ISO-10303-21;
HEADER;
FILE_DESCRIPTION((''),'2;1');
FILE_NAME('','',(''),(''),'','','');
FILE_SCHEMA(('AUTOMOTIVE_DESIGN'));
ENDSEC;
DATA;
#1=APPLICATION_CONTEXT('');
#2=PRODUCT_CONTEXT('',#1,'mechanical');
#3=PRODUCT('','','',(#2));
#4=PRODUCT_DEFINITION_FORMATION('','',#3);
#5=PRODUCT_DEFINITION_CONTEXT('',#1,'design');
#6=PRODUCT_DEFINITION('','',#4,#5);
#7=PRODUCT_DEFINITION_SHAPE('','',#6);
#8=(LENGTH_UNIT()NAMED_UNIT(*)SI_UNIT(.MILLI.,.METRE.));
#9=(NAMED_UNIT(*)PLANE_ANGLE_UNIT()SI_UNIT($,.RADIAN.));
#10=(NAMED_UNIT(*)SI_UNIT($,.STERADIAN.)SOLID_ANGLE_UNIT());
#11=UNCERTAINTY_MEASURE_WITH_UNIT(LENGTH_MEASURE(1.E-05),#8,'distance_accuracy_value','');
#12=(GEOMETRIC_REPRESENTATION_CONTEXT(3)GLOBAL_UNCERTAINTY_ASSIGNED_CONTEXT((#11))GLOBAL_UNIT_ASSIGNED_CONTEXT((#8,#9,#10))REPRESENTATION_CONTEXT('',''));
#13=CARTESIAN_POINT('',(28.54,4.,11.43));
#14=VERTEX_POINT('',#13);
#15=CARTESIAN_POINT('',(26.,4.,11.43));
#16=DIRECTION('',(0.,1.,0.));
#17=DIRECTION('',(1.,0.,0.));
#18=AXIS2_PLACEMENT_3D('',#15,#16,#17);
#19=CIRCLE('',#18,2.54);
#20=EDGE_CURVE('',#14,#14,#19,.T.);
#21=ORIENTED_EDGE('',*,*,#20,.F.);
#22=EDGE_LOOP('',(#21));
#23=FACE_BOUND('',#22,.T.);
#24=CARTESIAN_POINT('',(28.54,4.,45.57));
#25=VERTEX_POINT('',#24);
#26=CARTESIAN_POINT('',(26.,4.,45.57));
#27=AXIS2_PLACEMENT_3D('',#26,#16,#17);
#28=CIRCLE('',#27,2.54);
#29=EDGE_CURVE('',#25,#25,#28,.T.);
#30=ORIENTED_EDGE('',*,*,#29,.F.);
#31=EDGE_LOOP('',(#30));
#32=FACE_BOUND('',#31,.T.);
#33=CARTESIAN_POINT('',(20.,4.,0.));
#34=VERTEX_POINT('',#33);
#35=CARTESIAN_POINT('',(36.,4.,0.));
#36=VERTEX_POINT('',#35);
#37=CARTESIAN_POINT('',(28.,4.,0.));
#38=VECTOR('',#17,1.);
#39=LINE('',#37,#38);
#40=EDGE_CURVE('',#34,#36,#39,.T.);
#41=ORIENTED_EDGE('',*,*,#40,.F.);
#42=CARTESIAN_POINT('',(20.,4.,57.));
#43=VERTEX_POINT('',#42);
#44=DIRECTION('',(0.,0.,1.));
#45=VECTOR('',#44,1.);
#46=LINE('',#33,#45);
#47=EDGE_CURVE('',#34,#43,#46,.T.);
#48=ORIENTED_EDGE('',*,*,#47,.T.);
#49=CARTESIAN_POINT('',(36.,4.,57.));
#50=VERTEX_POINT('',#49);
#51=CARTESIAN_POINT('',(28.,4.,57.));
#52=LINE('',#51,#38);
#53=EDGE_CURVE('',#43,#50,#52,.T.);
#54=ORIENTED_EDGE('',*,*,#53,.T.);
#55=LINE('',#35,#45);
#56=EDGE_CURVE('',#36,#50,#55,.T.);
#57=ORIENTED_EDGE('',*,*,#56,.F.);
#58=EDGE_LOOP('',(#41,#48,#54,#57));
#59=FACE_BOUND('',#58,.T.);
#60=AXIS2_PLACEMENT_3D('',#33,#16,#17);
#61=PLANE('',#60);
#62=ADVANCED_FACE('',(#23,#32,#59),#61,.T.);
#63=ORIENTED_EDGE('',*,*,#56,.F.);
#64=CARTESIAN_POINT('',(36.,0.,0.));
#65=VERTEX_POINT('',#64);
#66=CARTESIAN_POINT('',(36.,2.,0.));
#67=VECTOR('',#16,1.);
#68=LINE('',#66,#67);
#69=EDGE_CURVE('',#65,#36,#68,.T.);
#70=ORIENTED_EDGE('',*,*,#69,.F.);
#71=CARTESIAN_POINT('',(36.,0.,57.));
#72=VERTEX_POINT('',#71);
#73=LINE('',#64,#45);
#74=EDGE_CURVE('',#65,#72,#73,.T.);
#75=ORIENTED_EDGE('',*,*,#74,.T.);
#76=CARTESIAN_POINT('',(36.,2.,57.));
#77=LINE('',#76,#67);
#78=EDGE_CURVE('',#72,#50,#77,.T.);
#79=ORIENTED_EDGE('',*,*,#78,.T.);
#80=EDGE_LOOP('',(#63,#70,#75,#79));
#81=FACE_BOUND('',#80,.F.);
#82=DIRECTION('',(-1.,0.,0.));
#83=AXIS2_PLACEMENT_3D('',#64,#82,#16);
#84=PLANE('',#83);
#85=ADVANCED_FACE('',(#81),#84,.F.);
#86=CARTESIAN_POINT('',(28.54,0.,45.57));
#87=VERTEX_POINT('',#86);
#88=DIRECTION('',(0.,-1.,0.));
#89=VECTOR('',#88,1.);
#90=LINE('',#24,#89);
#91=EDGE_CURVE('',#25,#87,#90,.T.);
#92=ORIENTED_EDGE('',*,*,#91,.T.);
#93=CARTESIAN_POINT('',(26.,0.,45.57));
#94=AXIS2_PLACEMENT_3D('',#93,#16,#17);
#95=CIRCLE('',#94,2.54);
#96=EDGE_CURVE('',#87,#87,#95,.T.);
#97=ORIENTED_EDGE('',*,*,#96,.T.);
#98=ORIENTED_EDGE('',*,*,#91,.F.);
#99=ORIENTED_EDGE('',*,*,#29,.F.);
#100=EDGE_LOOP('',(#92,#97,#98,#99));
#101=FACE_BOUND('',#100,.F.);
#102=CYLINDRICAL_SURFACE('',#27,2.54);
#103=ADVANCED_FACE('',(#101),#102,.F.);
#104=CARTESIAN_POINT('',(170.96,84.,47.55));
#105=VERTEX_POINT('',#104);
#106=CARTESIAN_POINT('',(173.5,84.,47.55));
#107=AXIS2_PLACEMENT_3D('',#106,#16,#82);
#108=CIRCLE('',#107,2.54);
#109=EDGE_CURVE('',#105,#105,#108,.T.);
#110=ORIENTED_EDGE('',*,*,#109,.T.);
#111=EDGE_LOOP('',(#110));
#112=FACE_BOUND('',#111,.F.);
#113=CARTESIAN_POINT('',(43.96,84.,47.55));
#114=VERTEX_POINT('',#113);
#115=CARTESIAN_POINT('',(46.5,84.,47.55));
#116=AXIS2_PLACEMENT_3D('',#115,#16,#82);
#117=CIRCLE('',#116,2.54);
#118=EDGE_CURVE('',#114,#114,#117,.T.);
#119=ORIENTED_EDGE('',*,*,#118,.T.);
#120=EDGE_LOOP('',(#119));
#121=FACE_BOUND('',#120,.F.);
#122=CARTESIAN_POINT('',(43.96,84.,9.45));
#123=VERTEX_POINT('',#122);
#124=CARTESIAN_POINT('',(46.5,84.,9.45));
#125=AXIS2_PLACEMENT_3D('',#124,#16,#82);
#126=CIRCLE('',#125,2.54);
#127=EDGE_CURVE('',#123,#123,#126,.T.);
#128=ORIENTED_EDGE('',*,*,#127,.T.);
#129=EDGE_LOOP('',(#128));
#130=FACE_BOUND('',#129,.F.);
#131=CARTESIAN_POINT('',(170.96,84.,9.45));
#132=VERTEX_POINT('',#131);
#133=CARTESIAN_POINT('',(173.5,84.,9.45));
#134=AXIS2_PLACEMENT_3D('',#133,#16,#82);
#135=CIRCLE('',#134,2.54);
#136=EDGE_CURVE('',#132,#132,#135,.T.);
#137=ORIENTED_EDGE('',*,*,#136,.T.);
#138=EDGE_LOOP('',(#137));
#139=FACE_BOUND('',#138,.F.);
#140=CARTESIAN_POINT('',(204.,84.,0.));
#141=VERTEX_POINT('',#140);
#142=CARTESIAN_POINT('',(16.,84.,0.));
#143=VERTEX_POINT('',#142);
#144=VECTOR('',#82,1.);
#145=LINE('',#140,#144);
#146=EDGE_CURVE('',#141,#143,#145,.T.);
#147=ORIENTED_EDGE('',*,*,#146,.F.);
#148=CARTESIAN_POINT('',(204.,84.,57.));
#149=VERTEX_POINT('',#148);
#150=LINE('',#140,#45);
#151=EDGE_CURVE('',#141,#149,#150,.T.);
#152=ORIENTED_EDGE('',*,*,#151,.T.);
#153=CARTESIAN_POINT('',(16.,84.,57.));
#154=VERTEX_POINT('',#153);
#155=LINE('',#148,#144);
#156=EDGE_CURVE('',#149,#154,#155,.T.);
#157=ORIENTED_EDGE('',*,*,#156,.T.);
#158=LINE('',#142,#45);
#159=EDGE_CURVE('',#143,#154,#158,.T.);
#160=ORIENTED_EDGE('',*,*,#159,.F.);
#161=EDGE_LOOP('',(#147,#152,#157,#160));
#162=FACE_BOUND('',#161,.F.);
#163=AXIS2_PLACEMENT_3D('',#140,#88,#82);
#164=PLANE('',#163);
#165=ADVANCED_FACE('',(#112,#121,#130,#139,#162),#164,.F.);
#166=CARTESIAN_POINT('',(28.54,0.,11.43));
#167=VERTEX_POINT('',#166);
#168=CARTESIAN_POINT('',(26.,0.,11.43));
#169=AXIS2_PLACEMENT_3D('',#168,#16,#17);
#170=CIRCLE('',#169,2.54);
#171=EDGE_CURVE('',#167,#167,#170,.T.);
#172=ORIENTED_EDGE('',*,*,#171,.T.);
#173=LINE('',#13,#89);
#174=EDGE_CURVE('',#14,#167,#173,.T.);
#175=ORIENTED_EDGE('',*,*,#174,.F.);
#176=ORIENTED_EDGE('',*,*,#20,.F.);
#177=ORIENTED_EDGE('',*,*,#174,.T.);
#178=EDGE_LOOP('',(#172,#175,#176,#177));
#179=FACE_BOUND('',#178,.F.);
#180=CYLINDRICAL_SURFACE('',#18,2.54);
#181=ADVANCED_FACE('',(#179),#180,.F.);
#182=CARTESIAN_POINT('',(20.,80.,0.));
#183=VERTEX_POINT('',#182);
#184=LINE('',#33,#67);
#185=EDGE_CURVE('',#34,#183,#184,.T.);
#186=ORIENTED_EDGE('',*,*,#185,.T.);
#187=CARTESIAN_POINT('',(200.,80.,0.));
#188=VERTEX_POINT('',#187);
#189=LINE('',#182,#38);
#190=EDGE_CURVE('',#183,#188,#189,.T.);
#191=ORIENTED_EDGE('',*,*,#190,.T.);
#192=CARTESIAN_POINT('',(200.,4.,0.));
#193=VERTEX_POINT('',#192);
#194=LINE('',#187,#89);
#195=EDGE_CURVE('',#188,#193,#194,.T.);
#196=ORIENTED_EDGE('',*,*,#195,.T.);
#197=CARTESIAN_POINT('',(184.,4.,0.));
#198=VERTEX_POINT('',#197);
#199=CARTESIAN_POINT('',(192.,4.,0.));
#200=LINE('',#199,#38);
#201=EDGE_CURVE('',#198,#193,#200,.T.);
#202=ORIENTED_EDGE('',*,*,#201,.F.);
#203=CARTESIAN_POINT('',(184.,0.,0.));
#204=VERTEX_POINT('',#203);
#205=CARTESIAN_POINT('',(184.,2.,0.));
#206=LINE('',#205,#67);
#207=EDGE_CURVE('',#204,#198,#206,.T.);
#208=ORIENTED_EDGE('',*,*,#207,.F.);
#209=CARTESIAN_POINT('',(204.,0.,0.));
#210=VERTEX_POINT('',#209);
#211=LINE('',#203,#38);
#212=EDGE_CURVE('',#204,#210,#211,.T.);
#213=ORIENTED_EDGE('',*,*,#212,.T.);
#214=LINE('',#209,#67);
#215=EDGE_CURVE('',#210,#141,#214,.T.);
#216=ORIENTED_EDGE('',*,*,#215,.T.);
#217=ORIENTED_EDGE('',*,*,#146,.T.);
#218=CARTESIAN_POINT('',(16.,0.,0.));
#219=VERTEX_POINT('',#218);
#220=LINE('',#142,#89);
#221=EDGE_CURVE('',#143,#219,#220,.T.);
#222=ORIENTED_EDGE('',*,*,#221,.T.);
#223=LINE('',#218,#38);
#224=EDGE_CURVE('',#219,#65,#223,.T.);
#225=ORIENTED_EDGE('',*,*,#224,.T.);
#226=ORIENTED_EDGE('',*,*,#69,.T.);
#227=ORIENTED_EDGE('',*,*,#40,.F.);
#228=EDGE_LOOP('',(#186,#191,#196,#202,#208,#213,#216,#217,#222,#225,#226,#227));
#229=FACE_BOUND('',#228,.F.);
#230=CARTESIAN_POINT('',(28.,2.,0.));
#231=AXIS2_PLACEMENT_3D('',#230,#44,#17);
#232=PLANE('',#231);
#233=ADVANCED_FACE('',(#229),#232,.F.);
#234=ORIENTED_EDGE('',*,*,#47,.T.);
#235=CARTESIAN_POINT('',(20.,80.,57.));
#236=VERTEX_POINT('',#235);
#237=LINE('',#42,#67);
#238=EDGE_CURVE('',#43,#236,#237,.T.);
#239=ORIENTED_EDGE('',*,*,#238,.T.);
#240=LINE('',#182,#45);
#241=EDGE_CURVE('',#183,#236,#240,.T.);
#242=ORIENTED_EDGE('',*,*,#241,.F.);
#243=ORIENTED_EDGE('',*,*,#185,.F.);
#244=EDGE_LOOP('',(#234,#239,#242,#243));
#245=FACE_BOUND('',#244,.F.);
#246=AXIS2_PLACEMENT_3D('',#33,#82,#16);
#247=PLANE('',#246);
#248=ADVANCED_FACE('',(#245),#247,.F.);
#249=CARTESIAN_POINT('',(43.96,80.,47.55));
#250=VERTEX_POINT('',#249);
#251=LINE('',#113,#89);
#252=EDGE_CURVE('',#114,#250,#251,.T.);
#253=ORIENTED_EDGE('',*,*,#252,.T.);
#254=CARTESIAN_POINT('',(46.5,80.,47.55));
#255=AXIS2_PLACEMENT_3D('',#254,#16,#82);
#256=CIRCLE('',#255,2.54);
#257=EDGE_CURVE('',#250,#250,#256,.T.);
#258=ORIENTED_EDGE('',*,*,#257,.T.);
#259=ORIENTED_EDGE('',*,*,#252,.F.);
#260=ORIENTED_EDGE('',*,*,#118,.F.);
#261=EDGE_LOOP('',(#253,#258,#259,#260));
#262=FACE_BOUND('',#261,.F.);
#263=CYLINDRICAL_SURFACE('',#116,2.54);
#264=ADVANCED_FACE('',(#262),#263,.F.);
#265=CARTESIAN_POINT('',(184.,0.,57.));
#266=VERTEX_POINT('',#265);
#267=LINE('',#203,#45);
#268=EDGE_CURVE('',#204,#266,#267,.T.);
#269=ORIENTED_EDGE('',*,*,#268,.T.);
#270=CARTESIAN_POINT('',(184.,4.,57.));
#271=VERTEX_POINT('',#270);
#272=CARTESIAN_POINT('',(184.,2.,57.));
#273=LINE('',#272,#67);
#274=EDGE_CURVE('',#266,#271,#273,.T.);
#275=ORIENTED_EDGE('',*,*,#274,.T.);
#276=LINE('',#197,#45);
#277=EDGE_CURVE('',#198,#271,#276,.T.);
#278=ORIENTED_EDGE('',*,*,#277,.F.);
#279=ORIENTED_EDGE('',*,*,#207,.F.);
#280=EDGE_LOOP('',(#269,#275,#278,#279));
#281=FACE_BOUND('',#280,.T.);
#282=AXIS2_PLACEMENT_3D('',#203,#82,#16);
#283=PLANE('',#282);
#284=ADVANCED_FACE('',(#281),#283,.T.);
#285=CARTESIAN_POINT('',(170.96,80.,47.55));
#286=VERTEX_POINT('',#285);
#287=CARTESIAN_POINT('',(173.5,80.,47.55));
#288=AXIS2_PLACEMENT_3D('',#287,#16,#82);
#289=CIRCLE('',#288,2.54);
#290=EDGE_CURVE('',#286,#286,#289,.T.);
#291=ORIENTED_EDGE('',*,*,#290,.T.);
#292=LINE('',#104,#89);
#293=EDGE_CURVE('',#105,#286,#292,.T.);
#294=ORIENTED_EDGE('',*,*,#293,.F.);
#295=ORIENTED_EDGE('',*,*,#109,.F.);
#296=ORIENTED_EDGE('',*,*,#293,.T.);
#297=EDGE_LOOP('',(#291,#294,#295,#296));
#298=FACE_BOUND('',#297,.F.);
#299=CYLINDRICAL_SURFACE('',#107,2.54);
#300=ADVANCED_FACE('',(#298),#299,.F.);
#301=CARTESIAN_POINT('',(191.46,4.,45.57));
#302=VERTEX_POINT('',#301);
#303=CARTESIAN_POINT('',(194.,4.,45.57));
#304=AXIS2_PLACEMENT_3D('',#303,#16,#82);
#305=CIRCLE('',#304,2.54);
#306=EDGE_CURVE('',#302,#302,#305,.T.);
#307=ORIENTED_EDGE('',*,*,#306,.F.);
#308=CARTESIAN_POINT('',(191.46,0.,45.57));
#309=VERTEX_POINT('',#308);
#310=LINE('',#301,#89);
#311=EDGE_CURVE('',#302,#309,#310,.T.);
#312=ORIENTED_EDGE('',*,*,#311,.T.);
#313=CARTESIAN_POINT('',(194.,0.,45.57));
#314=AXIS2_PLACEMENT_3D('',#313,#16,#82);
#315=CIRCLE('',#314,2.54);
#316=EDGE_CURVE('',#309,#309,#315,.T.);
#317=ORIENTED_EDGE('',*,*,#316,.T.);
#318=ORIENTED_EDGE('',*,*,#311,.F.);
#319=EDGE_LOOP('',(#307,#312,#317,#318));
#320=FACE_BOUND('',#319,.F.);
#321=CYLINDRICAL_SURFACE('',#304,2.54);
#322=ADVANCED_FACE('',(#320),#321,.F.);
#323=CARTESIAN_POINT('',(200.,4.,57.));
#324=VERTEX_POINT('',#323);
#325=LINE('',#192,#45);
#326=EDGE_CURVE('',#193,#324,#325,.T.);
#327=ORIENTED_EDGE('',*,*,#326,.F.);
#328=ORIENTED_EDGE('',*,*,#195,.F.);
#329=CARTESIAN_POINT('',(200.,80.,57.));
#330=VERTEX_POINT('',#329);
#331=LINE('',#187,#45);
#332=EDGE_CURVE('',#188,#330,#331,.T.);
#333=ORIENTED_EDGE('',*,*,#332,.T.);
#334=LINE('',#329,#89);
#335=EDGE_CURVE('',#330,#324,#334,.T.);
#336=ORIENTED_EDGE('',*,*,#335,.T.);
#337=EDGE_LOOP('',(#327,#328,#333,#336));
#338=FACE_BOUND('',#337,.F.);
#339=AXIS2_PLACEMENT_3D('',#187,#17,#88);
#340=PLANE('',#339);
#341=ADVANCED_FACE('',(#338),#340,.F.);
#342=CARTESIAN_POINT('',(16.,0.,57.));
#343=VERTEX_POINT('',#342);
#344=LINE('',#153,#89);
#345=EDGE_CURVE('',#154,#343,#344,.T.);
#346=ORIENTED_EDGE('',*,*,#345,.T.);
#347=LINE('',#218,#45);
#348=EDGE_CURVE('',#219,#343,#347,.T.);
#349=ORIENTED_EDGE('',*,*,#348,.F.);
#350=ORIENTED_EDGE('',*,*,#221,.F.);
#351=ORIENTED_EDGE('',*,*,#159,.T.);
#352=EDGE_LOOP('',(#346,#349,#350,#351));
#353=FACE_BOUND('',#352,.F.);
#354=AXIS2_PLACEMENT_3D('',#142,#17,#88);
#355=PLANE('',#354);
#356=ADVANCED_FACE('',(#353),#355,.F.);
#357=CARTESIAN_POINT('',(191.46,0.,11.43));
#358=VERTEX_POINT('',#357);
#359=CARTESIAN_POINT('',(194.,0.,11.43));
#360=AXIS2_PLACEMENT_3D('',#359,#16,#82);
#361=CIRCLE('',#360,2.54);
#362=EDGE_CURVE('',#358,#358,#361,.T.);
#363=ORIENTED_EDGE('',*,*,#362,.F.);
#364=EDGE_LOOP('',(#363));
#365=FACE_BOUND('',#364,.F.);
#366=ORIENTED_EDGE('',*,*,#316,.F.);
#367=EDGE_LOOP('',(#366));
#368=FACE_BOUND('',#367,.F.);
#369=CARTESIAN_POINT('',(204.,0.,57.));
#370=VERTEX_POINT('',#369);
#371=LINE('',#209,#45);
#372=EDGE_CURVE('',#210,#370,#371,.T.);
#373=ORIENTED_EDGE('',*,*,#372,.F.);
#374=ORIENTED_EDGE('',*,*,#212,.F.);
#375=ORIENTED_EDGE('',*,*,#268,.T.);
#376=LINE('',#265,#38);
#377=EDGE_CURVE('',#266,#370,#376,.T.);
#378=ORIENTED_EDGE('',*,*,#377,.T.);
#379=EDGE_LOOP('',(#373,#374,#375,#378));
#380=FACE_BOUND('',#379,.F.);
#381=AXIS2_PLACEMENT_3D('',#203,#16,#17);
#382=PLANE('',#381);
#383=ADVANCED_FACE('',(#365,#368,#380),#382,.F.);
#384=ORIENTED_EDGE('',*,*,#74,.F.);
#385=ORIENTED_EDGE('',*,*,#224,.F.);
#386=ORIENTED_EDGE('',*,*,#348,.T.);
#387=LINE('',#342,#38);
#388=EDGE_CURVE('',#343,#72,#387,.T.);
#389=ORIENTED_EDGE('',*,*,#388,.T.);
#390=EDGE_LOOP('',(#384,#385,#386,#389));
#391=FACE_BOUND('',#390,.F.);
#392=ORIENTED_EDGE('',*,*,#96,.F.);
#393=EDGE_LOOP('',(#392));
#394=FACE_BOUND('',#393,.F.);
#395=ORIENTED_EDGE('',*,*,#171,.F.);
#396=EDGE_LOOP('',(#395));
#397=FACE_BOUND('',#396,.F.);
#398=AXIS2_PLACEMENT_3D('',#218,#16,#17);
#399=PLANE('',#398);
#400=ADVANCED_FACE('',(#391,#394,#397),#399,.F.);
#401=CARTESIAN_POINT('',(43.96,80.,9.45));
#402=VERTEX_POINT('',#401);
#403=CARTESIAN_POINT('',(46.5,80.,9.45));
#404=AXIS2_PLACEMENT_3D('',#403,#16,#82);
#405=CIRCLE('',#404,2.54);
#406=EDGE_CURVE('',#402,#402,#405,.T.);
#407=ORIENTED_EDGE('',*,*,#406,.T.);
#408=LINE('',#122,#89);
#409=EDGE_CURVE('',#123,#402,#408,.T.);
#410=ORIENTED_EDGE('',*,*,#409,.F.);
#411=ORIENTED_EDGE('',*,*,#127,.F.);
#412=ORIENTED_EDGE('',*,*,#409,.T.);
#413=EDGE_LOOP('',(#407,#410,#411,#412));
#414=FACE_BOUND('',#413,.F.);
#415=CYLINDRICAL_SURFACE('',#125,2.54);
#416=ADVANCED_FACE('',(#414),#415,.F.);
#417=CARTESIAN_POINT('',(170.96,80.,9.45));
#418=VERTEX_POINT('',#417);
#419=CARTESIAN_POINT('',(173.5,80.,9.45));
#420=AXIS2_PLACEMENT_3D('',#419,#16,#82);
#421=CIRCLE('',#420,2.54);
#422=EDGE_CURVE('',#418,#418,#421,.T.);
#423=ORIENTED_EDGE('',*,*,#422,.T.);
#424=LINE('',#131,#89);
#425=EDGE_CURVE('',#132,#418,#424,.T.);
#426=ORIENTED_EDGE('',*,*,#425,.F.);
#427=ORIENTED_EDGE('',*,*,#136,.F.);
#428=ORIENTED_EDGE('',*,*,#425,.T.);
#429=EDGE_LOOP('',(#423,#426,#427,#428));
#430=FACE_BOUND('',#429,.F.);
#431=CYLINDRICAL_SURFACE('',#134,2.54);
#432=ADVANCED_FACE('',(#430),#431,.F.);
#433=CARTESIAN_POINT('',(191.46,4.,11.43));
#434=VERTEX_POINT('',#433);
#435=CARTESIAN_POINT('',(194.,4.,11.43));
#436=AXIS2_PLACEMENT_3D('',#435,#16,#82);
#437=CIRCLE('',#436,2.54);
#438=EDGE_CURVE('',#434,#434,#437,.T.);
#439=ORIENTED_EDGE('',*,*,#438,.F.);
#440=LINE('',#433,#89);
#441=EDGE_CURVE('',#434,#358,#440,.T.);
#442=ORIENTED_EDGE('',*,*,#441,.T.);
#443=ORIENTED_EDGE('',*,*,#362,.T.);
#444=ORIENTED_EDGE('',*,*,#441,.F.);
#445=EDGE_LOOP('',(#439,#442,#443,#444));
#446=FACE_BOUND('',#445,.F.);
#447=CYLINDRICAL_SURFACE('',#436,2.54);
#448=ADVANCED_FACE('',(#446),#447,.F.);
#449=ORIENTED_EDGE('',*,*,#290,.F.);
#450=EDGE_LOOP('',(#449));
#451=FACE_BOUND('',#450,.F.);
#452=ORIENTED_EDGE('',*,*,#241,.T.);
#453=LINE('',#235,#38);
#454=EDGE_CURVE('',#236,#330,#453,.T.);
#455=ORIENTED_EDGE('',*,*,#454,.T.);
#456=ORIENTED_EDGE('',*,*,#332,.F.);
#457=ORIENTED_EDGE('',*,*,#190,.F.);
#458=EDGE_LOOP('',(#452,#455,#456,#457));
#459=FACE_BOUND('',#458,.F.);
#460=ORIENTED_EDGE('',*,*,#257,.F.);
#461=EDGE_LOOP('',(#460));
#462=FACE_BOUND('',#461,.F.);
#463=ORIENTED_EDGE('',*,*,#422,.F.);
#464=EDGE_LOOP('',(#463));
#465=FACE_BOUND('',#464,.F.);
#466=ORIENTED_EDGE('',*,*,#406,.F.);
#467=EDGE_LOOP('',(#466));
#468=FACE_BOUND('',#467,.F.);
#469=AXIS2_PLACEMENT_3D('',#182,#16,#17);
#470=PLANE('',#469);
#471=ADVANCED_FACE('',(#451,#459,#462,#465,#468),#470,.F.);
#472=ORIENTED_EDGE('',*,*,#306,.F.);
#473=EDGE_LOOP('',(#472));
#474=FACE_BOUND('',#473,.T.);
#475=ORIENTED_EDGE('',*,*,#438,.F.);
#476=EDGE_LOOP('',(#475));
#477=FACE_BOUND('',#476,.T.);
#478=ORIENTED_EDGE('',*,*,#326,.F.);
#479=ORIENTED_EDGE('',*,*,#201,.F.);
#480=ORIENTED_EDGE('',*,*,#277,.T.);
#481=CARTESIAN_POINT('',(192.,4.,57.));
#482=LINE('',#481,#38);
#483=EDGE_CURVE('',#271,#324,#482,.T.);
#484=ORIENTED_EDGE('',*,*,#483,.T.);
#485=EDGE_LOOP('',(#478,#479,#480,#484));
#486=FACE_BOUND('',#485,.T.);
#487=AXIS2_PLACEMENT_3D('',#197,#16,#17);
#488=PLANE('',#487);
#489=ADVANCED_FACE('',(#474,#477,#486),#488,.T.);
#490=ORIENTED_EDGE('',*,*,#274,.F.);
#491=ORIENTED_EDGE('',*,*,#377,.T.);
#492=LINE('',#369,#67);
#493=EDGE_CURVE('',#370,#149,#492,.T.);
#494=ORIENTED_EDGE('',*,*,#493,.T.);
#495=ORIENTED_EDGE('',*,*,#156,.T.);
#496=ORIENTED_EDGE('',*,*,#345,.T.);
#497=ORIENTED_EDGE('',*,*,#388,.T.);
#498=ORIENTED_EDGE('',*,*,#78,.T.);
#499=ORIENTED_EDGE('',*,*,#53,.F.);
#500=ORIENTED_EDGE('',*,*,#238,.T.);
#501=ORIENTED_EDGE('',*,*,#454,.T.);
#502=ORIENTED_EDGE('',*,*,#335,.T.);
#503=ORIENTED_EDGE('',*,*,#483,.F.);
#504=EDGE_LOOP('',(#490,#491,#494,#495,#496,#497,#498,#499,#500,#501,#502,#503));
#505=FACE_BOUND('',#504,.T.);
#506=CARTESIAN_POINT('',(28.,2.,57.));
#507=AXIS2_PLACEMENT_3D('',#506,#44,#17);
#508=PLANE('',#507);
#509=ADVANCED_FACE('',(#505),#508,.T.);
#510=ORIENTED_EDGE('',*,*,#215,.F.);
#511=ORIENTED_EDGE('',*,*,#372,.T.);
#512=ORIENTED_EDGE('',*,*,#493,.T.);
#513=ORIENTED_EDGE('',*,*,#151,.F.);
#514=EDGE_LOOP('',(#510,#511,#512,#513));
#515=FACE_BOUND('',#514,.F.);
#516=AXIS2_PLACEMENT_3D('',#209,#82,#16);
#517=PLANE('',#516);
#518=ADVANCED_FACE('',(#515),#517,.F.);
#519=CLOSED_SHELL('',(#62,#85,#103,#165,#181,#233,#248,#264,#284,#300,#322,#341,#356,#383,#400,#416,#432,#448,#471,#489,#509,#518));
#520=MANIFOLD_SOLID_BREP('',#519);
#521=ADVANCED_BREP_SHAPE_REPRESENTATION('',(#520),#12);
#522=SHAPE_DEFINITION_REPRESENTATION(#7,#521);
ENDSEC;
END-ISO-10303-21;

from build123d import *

# Parameters (mm, degrees)
F0_W     = 16
F0_H     = 4
F1_DEPTH = 57
F3_R     = 2.54
F4_DEPTH = 4.001
F5_R     = 2.54
F6_DEPTH = 84.001


with BuildPart() as f1:
    # F0 (on Top) → F1 (new body)
    with BuildSketch(Plane.XY):
        with Locations((28, 2)):
            Rectangle(F0_W, F0_H)
        Polygon((16, 0), (20, 0), (20, 4), (20, 80), (200, 80), (200, 4), (200, 0), (204, 0), (204, 4), (204, 84), (16, 84), (16, 4), align=None)
        with Locations((192, 2)):
            Rectangle(F0_W, F0_H)
    extrude(amount=F1_DEPTH)

    # F2 (on face) + F3 (on face) → F4 (cut, through all)
    with BuildSketch(Plane(origin=(0, 4, 0), x_dir=(-1, 0, 0), z_dir=(0, 1, 0))):
        with BuildLine():
            ThreePointArc((-23.46, 11.43), (-26, 13.97), (-28.54, 11.43))
            ThreePointArc((-28.54, 11.43), (-26, 8.89), (-23.46, 11.43))
        make_face()
        with BuildLine():
            ThreePointArc((-23.46, 45.57), (-26, 48.11), (-28.54, 45.57))
            ThreePointArc((-28.54, 45.57), (-26, 43.03), (-23.46, 45.57))
        make_face()
    with BuildSketch(Plane(origin=(0, 4, 0), x_dir=(-1, 0, 0), z_dir=(0, 1, 0))):
        with Locations((-194, 11.43)):
            Circle(F3_R)
        with Locations((-194, 45.57)):
            Circle(F3_R)
    extrude(amount=-F4_DEPTH, mode=Mode.SUBTRACT)

    # F5 (on face) → F6 (cut, through all)
    with BuildSketch(Plane(origin=(0, 84, 0), x_dir=(-1, 0, 0), z_dir=(0, 1, 0))):
        with Locations((-173.5, 47.55)):
            Circle(F5_R)
        with Locations((-173.5, 9.45)):
            Circle(F5_R)
        with Locations((-46.5, 9.45)):
            Circle(F5_R)
        with Locations((-46.5, 47.55)):
            Circle(F5_R)
    extrude(amount=-F6_DEPTH, mode=Mode.SUBTRACT)


solid = f1.part
